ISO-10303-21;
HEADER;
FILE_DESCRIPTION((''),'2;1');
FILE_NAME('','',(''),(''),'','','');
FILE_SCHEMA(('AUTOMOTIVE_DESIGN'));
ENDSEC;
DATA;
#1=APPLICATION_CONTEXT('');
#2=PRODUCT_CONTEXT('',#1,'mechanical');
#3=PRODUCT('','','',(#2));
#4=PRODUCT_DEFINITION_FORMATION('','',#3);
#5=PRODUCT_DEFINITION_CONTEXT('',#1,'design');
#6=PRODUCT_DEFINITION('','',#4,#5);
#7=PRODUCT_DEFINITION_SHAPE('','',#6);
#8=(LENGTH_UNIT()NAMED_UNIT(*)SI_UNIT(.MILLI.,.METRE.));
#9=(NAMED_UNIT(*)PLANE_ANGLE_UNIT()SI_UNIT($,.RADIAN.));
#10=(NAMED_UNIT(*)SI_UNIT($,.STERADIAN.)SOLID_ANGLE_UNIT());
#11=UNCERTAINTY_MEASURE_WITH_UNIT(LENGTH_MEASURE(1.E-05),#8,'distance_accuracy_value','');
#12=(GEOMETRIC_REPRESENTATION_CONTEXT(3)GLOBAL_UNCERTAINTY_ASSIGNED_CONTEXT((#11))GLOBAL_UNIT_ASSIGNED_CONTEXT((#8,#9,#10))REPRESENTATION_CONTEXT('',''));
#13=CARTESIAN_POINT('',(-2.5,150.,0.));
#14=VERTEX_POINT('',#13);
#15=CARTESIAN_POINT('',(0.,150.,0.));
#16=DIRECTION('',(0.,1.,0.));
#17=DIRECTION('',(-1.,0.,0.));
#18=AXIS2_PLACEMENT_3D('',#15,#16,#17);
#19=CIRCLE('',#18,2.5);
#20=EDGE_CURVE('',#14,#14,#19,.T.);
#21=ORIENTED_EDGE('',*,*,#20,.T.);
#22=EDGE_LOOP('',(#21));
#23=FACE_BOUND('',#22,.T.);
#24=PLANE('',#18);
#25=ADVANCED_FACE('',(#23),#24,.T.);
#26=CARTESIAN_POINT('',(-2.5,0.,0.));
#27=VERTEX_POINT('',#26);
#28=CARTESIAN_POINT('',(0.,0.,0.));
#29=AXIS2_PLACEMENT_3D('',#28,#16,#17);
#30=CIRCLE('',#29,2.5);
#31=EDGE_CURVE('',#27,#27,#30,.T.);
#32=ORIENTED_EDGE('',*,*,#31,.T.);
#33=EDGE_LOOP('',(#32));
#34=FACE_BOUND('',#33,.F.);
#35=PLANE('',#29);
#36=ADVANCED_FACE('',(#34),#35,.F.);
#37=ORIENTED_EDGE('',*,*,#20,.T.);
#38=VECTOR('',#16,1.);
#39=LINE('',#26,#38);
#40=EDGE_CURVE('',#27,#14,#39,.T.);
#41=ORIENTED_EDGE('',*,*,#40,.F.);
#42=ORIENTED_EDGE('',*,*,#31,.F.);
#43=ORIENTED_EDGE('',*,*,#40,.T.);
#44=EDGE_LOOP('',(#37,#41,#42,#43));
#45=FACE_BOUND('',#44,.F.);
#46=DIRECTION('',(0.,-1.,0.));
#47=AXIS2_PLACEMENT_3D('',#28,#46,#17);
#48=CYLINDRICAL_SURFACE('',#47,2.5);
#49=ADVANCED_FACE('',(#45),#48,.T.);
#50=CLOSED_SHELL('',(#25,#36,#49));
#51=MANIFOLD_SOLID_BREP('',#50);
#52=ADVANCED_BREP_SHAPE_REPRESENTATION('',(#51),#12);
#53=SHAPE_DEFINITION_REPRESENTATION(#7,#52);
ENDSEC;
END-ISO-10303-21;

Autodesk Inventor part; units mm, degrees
ref_plane "YZ Plane" through (0, 0, 0) normal (1, 0, 0) x (0, 1, 0)
ref_plane "XZ Plane" through (0, 0, 0) normal (0, 1, 0) x (-1, 0, 0)
ref_plane "XY Plane" through (0, 0, 0) normal (0, 0, 1) x (1, 0, 0)
sketch "Boceto1" plane through (0, 0, 0) normal (0, 1, 0) x (-1, 0, 0)
  circle A0 centre (0, 0) radius 2.5
  dimension "d0" = 5
extrude "Extrusión1" add sketch "Boceto1" along normal blind 150
properties part number "Varilla"
